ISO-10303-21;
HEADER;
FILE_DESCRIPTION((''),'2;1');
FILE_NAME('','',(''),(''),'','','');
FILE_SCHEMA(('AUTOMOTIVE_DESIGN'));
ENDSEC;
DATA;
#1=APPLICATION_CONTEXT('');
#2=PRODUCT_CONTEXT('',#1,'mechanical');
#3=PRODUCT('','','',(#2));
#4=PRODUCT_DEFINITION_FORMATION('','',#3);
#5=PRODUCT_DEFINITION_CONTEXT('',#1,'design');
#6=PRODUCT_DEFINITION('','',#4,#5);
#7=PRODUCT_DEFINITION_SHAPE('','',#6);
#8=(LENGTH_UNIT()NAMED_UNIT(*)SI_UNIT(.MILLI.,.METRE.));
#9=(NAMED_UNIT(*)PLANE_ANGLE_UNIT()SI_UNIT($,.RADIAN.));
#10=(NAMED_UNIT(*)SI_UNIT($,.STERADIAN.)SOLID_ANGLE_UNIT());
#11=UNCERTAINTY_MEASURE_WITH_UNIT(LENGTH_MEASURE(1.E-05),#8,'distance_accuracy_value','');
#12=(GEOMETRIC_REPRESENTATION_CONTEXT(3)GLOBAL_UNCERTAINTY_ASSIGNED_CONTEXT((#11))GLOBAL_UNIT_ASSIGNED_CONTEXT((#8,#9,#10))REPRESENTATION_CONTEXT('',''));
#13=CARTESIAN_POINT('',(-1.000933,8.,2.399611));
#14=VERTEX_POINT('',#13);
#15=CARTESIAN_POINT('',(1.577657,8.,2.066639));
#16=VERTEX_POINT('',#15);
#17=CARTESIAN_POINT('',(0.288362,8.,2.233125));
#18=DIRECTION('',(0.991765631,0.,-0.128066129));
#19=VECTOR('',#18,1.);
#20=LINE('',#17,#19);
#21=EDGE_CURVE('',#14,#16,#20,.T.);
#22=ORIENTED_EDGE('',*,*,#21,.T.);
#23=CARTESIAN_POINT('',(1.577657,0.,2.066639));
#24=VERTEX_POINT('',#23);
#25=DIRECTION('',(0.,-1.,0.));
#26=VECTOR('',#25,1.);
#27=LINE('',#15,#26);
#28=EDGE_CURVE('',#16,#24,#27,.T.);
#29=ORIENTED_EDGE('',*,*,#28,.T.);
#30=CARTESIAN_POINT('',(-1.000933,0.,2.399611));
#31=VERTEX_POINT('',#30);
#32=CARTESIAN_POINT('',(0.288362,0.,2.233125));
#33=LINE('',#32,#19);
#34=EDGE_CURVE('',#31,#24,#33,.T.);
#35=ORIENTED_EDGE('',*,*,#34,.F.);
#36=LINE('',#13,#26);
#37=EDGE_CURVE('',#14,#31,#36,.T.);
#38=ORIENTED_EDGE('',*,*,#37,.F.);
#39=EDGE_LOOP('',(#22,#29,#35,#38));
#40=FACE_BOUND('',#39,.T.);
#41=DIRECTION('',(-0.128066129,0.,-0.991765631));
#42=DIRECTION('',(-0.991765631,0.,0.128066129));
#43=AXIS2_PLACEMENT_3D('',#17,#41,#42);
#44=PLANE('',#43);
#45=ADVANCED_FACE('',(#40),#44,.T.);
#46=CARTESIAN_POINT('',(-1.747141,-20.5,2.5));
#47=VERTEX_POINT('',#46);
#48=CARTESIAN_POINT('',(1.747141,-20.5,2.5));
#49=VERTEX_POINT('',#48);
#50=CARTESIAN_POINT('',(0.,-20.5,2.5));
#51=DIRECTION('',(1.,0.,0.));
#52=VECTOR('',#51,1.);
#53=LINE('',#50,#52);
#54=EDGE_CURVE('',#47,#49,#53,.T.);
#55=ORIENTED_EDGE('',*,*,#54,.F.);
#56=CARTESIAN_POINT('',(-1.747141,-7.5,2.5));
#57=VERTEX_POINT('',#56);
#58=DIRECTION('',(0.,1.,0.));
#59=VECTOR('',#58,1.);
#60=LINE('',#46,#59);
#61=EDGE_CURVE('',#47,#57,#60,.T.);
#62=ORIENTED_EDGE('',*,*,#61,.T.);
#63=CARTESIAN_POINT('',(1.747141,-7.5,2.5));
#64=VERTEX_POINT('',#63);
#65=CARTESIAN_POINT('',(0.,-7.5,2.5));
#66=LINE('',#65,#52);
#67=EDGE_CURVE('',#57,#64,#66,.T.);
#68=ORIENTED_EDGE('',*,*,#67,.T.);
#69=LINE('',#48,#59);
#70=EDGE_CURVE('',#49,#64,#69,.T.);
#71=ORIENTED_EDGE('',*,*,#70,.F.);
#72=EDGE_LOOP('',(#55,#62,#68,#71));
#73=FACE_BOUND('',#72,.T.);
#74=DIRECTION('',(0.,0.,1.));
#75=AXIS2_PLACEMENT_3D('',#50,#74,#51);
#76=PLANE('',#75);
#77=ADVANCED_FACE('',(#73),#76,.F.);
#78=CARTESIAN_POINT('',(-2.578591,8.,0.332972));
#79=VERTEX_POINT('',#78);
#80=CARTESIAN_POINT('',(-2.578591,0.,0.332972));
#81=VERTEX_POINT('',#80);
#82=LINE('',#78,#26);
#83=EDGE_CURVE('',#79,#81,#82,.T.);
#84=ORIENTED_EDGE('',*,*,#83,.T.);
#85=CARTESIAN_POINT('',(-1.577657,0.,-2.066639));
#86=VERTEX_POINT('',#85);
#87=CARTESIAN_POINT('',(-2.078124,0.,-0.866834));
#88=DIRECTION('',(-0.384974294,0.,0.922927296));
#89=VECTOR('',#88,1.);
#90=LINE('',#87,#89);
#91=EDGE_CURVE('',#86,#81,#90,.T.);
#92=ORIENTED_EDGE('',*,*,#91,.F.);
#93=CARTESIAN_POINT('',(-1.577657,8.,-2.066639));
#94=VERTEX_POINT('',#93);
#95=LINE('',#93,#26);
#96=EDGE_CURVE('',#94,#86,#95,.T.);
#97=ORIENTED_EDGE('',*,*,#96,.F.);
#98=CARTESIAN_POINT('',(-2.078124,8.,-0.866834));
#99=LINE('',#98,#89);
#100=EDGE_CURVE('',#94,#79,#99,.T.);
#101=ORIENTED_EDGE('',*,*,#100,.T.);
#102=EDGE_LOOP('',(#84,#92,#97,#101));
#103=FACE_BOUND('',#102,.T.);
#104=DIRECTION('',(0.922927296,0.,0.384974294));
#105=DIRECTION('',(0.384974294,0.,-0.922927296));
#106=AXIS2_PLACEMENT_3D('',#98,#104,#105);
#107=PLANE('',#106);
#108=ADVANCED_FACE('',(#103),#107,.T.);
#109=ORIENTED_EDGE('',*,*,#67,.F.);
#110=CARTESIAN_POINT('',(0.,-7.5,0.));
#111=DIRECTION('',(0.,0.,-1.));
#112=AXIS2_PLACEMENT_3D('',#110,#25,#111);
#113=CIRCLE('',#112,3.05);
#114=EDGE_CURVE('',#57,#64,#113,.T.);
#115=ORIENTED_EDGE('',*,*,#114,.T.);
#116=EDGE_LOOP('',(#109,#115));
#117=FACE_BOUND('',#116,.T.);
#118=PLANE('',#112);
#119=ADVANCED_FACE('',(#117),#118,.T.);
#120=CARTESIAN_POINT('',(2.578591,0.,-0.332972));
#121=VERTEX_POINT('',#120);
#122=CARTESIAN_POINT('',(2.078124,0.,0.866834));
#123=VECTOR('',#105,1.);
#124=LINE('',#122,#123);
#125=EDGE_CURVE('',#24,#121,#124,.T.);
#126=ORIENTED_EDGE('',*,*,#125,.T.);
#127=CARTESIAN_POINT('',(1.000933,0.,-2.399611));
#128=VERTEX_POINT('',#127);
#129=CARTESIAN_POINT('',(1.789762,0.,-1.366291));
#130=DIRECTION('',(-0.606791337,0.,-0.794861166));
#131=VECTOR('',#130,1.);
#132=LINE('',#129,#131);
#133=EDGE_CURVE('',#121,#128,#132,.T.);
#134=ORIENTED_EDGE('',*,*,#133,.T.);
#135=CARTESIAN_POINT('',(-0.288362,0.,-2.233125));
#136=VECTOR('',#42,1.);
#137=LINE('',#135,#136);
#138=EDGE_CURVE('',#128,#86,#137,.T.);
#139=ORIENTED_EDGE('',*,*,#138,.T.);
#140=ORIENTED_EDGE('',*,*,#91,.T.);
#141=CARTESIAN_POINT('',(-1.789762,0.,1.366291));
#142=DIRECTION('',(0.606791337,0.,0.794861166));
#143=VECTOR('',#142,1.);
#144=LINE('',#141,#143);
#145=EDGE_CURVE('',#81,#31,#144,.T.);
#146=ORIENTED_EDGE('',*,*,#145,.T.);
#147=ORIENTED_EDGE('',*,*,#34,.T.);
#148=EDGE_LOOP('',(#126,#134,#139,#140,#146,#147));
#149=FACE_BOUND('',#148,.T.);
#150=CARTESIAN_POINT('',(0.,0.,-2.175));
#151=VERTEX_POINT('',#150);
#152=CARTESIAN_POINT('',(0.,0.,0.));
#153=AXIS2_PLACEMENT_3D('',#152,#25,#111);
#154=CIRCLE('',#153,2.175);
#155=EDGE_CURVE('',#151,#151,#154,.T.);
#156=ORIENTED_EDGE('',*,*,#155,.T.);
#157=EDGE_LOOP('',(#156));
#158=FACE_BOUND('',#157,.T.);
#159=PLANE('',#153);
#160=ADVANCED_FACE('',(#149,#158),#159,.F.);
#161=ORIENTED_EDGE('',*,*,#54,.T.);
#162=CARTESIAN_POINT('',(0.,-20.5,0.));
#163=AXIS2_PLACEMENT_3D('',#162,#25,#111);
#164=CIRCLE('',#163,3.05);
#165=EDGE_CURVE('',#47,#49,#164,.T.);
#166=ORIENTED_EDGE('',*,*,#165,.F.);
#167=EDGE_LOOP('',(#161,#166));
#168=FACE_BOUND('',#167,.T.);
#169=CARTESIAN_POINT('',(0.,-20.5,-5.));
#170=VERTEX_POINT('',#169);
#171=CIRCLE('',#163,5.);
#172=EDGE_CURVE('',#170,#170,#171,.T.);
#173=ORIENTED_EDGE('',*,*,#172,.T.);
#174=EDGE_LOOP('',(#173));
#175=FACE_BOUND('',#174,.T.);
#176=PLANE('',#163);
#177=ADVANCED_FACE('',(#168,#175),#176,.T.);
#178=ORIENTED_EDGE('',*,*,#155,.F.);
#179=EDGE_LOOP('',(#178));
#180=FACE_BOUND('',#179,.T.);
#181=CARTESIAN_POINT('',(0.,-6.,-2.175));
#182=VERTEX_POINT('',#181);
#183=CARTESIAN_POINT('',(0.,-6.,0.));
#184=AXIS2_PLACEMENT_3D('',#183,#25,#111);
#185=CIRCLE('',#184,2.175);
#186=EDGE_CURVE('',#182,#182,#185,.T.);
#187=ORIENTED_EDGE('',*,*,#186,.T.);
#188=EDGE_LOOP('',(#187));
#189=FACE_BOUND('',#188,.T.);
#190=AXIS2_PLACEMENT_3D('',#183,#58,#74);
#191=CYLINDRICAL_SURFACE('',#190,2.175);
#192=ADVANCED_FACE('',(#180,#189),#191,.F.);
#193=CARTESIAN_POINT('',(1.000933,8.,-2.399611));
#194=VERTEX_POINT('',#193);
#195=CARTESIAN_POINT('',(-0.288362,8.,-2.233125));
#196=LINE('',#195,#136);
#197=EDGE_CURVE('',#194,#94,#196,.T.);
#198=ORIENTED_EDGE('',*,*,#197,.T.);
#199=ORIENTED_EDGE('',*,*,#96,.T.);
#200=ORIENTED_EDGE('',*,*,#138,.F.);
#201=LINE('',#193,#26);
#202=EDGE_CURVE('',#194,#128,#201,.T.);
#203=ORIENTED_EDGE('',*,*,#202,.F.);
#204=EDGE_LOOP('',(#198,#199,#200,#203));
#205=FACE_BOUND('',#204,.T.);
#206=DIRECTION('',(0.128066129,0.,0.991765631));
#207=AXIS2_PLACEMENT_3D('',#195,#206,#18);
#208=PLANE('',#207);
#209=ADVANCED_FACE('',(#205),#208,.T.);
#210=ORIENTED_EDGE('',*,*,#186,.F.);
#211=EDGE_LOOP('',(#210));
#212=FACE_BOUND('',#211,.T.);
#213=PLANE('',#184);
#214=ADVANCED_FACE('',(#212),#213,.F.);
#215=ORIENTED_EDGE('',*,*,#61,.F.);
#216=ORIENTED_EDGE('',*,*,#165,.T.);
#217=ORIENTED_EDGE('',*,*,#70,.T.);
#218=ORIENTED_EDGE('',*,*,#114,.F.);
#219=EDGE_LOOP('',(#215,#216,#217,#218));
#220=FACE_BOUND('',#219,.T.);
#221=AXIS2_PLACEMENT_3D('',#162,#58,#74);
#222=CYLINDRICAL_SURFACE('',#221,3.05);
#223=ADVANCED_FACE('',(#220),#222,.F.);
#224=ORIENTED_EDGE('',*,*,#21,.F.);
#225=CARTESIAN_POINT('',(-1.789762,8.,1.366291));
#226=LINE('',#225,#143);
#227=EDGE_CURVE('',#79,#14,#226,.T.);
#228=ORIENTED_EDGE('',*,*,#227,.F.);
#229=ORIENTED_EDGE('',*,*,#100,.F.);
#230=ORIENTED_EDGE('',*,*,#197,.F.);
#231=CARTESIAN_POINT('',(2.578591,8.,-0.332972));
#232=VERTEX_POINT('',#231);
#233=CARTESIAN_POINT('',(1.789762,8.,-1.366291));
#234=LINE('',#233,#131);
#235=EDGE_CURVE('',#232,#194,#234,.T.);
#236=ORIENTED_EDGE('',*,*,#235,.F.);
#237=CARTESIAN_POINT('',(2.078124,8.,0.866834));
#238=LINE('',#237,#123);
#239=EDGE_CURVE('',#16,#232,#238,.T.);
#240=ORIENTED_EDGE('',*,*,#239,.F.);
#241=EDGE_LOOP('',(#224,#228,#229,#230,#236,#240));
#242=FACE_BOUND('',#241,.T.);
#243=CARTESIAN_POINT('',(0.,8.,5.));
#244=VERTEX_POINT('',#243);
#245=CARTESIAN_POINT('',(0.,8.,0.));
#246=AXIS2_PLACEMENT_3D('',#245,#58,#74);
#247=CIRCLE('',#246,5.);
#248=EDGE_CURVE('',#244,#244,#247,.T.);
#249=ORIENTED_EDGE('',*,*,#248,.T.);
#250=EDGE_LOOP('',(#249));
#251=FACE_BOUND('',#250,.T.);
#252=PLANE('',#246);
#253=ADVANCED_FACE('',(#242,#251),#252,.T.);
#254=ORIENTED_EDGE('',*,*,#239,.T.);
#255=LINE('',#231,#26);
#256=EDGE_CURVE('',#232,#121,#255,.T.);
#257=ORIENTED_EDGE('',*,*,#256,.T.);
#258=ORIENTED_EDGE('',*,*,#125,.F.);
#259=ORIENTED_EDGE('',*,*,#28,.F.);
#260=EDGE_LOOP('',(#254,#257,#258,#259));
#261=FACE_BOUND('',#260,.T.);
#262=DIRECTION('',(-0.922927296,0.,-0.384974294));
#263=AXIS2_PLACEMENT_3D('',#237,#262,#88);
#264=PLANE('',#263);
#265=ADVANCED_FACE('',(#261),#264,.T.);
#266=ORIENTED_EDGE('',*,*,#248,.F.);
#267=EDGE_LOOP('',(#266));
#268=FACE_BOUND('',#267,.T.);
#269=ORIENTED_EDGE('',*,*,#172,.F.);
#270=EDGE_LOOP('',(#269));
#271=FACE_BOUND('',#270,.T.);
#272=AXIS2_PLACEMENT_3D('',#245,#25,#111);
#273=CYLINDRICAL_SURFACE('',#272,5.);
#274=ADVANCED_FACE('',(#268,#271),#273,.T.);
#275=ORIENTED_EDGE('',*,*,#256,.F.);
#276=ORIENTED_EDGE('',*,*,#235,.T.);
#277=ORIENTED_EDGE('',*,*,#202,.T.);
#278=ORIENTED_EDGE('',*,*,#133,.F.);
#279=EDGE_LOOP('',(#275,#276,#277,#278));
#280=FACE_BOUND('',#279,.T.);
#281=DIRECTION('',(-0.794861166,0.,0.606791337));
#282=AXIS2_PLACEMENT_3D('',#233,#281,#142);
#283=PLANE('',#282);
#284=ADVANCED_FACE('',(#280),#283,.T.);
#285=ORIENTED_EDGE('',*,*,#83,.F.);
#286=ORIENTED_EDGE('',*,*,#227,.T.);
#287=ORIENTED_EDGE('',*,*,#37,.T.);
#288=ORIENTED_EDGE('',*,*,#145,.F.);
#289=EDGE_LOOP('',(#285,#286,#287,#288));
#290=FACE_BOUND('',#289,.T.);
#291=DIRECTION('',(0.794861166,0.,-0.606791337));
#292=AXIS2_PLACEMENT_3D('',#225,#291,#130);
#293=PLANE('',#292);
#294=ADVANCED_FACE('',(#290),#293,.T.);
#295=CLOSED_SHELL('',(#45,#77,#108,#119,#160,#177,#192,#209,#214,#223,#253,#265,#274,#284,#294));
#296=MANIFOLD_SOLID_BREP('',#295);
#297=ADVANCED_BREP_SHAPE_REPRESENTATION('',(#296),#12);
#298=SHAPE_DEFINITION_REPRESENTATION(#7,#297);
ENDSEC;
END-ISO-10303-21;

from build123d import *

# Parameters (mm, degrees)
SKETCH1_R           = 5
BOSS_EXTRUDE1_DEPTH = 8
BOSS_EXTRUDE2_START = 6
SKETCH2_R           = 5
SKETCH2_R_2         = 2.175
BOSS_EXTRUDE2_DEPTH = 6
BOSS_EXTRUDE3_START = 1.5
SKETCH3_R           = 5
BOSS_EXTRUDE3_DEPTH = 1.5
BOSS_EXTRUDE4_START = 13
SKETCH4_R           = 5
BOSS_EXTRUDE4_DEPTH = 13


with BuildPart() as part:
    # Sketch1 → Boss-Extrude1 (new body)
    with BuildSketch(Plane(origin=(0, 0, 0), x_dir=(1, 0, 0), z_dir=(0, 1, 0))):
        with Locations(Location((0, 0, 0), (0, 0, 270))):
            Circle(SKETCH1_R)
        Polygon((1.577657476, -2.066639032), (2.57859064, 0.332971936), (1.000933165, 2.399610968), (-1.577657476, 2.066639032), (-2.57859064, -0.332971936), (-1.000933165, -2.399610968), align=None, mode=Mode.SUBTRACT)
    extrude(amount=BOSS_EXTRUDE1_DEPTH)

    # Sketch2 → Boss-Extrude2 (add)
    with BuildSketch(Plane.XZ.offset(BOSS_EXTRUDE2_START)):
        with Locations(Location((0, 0, 0), (0, 0, 270))):
            Circle(SKETCH2_R)
        with Locations(Location((0, 0, 0), (0, 0, 270))):
            Circle(SKETCH2_R_2, mode=Mode.SUBTRACT)
    extrude(amount=-BOSS_EXTRUDE2_DEPTH)

    # Sketch3 → Boss-Extrude3 (add)
    with BuildSketch(Plane.XZ.offset(6).offset(BOSS_EXTRUDE3_START)):
        with Locations(Location((0, 0, 0), (0, 0, 270))):
            Circle(SKETCH3_R)
    extrude(amount=-BOSS_EXTRUDE3_DEPTH)

    # Sketch4 → Boss-Extrude4 (add)
    with BuildSketch(Plane.XZ.offset(7.5).offset(BOSS_EXTRUDE4_START)):
        with Locations(Location((0, 0, 0), (0, 0, 270))):
            Circle(SKETCH4_R)
        with BuildLine():
            Line((-1.747140521, 2.5), (1.747140521, 2.5))
            ThreePointArc((1.747140521, 2.5), (0, -3.05), (-1.747140521, 2.5))
        make_face(mode=Mode.SUBTRACT)
    extrude(amount=-BOSS_EXTRUDE4_DEPTH)


solid = part.part
